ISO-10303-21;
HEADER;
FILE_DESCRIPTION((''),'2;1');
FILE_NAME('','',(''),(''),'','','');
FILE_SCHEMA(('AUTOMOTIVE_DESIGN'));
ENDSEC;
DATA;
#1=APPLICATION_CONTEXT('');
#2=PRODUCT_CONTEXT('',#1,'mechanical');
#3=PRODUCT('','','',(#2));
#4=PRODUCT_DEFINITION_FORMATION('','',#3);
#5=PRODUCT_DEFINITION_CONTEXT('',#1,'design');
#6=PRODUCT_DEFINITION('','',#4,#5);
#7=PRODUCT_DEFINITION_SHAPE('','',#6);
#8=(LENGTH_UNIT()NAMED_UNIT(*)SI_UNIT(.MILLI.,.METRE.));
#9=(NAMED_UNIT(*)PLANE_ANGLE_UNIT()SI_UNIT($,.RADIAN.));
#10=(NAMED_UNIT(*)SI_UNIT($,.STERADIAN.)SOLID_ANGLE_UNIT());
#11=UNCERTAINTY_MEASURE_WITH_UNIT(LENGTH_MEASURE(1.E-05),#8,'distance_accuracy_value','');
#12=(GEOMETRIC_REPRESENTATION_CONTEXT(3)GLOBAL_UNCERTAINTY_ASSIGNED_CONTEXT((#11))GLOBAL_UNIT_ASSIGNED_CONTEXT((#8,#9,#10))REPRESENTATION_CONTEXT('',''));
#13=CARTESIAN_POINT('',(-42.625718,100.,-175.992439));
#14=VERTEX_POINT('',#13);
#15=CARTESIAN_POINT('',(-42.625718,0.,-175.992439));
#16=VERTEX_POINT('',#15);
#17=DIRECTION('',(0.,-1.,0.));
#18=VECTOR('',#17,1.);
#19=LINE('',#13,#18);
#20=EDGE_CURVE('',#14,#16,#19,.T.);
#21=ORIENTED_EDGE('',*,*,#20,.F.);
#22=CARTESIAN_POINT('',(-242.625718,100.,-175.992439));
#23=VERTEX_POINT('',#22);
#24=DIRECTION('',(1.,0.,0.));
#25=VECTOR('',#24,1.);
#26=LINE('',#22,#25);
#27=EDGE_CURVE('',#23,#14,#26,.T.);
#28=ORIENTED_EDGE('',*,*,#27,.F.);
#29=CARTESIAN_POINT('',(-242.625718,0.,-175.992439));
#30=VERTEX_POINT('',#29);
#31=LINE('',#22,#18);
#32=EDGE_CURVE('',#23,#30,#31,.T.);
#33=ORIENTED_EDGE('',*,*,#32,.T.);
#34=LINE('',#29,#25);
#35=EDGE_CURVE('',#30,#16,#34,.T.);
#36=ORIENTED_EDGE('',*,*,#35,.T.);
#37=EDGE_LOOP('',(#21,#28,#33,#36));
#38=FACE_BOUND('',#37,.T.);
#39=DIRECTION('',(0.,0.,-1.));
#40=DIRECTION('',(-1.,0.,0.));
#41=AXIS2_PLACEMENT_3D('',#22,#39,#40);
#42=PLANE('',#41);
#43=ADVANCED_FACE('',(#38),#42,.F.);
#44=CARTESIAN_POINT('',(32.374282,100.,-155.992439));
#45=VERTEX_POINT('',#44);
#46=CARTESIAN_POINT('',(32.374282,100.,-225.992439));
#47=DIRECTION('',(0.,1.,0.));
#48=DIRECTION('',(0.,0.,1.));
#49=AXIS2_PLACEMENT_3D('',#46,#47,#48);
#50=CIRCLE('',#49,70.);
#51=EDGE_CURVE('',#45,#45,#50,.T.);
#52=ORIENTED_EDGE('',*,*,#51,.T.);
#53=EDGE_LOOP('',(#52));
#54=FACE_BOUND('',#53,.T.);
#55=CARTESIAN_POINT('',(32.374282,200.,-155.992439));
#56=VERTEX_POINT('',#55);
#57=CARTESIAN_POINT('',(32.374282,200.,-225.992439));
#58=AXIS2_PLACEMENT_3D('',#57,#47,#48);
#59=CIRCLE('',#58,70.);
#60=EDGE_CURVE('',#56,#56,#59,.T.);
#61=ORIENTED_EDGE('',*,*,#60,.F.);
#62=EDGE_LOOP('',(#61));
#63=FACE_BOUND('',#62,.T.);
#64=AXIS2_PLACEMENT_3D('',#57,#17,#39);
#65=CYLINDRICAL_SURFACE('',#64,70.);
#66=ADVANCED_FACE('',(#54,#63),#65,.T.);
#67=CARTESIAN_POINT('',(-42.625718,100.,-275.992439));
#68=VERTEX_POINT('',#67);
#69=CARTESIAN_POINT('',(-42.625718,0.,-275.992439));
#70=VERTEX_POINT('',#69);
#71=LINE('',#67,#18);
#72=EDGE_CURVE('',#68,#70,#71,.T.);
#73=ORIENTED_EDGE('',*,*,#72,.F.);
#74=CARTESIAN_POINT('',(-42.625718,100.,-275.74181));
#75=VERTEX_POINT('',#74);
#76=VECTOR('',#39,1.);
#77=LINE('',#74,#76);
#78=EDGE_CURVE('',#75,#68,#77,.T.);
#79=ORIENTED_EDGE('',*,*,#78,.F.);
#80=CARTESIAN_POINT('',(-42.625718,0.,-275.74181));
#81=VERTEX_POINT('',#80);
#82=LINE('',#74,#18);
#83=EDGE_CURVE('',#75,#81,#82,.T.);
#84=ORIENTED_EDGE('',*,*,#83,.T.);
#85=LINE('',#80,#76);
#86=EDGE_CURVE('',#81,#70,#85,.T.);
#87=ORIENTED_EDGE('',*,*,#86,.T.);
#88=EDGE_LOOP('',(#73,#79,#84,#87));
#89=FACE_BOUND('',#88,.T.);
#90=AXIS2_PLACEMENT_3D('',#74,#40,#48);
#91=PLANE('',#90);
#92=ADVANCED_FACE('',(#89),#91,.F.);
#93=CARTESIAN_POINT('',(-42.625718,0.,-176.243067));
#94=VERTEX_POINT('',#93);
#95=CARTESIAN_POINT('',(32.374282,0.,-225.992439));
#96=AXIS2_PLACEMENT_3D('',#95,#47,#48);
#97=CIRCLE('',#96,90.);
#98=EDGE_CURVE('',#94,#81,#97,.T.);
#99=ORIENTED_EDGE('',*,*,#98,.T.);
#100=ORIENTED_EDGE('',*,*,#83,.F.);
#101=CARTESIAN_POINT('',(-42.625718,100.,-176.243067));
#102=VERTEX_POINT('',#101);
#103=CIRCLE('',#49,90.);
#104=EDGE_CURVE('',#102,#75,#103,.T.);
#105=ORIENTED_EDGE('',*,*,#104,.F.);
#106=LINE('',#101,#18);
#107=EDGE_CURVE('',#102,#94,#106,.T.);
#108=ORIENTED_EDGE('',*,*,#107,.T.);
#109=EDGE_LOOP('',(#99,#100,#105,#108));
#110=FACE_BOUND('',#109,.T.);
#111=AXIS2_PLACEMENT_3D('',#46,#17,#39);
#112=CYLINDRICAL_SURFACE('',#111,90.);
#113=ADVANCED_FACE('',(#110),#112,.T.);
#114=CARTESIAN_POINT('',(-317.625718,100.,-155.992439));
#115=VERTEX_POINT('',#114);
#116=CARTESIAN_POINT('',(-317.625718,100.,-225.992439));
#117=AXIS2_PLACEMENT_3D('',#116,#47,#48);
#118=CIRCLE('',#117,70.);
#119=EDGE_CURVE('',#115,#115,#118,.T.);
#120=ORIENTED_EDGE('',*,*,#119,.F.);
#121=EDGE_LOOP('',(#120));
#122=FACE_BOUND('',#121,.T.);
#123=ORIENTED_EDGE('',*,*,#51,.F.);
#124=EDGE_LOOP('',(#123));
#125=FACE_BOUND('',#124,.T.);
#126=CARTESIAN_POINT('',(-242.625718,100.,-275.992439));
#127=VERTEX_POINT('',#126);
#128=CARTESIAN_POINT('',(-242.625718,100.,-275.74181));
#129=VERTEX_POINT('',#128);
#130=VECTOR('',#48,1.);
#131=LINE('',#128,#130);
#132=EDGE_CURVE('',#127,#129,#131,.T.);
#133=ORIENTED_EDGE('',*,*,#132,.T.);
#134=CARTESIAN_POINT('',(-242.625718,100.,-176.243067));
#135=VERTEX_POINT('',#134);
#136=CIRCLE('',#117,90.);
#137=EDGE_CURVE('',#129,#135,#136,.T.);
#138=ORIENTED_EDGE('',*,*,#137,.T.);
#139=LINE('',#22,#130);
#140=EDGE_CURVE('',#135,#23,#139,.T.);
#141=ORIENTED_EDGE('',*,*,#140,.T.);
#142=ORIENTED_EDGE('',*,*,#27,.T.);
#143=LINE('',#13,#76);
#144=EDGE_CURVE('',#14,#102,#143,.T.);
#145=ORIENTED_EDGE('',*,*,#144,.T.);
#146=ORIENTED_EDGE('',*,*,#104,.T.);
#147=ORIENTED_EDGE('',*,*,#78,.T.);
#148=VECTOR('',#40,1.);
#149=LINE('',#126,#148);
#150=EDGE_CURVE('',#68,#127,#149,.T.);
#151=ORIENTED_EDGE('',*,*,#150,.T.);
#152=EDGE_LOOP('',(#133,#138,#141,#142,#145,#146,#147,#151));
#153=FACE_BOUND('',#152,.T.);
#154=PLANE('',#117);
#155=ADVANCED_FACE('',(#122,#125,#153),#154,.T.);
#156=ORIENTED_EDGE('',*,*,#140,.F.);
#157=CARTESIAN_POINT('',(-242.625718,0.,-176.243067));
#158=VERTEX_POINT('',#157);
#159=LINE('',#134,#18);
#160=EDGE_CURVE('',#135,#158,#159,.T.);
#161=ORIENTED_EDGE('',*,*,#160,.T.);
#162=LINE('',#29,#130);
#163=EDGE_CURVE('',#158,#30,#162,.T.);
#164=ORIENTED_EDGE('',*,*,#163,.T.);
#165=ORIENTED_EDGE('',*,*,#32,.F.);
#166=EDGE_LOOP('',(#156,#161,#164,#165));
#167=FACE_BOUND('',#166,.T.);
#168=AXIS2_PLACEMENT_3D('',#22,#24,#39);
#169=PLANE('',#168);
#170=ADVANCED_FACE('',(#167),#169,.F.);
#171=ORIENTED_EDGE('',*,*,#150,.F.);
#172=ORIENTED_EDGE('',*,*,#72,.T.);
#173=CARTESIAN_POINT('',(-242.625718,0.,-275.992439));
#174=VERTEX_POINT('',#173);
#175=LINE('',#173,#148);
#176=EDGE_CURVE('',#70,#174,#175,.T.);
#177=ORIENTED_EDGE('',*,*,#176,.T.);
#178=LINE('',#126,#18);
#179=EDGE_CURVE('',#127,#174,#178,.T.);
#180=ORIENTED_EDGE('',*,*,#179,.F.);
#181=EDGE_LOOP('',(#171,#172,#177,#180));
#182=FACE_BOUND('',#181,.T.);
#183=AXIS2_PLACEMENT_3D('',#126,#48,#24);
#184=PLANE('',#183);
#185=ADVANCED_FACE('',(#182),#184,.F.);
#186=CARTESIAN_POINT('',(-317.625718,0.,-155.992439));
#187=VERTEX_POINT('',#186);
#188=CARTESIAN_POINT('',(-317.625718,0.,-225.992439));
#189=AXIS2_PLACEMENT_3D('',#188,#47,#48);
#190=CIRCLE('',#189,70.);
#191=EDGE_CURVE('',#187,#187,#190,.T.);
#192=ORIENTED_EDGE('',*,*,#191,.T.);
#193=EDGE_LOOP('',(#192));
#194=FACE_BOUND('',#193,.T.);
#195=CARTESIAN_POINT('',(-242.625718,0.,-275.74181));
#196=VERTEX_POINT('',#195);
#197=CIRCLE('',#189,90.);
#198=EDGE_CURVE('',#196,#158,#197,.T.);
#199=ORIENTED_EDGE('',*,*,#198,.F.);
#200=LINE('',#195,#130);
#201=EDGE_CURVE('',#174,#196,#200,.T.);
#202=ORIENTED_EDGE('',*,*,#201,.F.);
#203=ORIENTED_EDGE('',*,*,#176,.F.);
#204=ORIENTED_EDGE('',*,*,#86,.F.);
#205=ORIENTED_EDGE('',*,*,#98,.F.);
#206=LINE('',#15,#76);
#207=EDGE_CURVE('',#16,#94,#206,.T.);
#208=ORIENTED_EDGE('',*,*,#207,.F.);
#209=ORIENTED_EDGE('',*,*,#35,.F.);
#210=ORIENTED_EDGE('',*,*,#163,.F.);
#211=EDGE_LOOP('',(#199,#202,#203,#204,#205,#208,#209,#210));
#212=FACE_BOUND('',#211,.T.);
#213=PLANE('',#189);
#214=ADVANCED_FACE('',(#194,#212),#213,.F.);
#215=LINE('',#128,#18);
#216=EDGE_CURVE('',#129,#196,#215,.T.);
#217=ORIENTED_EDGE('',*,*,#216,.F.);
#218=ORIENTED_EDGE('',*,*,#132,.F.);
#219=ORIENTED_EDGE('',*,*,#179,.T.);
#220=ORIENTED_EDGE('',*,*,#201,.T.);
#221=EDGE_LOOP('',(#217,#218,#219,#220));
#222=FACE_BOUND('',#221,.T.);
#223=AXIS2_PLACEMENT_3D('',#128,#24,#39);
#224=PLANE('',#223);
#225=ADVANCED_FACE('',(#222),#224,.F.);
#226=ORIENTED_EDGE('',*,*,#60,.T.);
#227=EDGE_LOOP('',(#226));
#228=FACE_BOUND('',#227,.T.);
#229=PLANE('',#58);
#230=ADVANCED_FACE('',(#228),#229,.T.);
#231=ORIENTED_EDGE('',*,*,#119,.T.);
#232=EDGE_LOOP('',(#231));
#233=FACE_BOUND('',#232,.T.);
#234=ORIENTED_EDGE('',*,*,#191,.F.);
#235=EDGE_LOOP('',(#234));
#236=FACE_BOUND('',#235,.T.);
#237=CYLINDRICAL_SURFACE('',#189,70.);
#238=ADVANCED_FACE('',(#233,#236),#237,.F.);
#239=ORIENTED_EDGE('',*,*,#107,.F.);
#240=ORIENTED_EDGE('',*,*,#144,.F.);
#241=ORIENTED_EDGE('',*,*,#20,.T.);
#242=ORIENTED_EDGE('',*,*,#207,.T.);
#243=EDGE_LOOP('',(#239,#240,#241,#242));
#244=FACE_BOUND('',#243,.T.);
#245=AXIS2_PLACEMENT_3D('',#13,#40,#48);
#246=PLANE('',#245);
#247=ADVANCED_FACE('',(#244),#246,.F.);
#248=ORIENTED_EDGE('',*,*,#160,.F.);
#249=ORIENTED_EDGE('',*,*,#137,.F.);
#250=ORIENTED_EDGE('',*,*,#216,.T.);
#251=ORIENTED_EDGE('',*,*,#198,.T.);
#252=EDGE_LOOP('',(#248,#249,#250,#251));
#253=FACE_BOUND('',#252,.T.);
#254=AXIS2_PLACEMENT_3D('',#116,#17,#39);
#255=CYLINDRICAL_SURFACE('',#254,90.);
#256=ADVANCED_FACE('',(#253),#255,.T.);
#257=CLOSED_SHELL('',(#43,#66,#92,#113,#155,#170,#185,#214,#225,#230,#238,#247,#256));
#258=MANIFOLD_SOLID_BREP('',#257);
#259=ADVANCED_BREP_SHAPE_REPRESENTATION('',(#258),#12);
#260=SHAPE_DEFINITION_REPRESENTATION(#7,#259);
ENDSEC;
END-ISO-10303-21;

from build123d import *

# Parameters (mm, degrees)
BOSS_EXTRUDE1_DEPTH = 100
SKETCH2_R           = 70
CUT_EXTRUDE1_DEPTH  = 100
SKETCH3_R           = 70
BOSS_EXTRUDE2_DEPTH = 100


with BuildPart() as part:
    # Sketch1 → Boss-Extrude1 (new body)
    with BuildSketch(Plane(origin=(0, 0, 0), x_dir=(1, 0, 0), z_dir=(0, 1, 0))):
        with BuildLine():
            Line((-242.625717576, 275.741810419), (-242.625717576, 275.992438563))
            Line((-242.625717576, 275.992438563), (-42.625717576, 275.992438563))
            Line((-42.625717576, 275.992438563), (-42.625717576, 275.741810419))
            ThreePointArc((-42.625717576, 275.741810419), (122.374282424, 225.992438563), (-42.625717576, 176.243066708))
            Line((-42.625717576, 176.243066708), (-42.625717576, 175.992438563))
            Line((-42.625717576, 175.992438563), (-242.625717576, 175.992438563))
            Line((-242.625717576, 175.992438563), (-242.625717576, 176.243066708))
            ThreePointArc((-242.625717576, 176.243066708), (-407.625717576, 225.992438563), (-242.625717576, 275.741810419))
        make_face()
    extrude(amount=BOSS_EXTRUDE1_DEPTH)

    # Sketch2 → Cut-Extrude1 (cut)
    with BuildSketch(Plane(origin=(0, 100, 0), x_dir=(1, 0, 0), z_dir=(0, 1, 0))):
        with Locations(Location((-317.625717576, 225.992438563, 0), (0, 0, 270))):
            Circle(SKETCH2_R)
    extrude(amount=-CUT_EXTRUDE1_DEPTH, mode=Mode.SUBTRACT)

    # Sketch3 → Boss-Extrude2 (add)
    with BuildSketch(Plane(origin=(0, 100, 0), x_dir=(1, 0, 0), z_dir=(0, 1, 0))):
        with Locations(Location((32.374282424, 225.992438563, 0), (0, 0, 270))):
            Circle(SKETCH3_R)
    extrude(amount=BOSS_EXTRUDE2_DEPTH)


solid = part.part
